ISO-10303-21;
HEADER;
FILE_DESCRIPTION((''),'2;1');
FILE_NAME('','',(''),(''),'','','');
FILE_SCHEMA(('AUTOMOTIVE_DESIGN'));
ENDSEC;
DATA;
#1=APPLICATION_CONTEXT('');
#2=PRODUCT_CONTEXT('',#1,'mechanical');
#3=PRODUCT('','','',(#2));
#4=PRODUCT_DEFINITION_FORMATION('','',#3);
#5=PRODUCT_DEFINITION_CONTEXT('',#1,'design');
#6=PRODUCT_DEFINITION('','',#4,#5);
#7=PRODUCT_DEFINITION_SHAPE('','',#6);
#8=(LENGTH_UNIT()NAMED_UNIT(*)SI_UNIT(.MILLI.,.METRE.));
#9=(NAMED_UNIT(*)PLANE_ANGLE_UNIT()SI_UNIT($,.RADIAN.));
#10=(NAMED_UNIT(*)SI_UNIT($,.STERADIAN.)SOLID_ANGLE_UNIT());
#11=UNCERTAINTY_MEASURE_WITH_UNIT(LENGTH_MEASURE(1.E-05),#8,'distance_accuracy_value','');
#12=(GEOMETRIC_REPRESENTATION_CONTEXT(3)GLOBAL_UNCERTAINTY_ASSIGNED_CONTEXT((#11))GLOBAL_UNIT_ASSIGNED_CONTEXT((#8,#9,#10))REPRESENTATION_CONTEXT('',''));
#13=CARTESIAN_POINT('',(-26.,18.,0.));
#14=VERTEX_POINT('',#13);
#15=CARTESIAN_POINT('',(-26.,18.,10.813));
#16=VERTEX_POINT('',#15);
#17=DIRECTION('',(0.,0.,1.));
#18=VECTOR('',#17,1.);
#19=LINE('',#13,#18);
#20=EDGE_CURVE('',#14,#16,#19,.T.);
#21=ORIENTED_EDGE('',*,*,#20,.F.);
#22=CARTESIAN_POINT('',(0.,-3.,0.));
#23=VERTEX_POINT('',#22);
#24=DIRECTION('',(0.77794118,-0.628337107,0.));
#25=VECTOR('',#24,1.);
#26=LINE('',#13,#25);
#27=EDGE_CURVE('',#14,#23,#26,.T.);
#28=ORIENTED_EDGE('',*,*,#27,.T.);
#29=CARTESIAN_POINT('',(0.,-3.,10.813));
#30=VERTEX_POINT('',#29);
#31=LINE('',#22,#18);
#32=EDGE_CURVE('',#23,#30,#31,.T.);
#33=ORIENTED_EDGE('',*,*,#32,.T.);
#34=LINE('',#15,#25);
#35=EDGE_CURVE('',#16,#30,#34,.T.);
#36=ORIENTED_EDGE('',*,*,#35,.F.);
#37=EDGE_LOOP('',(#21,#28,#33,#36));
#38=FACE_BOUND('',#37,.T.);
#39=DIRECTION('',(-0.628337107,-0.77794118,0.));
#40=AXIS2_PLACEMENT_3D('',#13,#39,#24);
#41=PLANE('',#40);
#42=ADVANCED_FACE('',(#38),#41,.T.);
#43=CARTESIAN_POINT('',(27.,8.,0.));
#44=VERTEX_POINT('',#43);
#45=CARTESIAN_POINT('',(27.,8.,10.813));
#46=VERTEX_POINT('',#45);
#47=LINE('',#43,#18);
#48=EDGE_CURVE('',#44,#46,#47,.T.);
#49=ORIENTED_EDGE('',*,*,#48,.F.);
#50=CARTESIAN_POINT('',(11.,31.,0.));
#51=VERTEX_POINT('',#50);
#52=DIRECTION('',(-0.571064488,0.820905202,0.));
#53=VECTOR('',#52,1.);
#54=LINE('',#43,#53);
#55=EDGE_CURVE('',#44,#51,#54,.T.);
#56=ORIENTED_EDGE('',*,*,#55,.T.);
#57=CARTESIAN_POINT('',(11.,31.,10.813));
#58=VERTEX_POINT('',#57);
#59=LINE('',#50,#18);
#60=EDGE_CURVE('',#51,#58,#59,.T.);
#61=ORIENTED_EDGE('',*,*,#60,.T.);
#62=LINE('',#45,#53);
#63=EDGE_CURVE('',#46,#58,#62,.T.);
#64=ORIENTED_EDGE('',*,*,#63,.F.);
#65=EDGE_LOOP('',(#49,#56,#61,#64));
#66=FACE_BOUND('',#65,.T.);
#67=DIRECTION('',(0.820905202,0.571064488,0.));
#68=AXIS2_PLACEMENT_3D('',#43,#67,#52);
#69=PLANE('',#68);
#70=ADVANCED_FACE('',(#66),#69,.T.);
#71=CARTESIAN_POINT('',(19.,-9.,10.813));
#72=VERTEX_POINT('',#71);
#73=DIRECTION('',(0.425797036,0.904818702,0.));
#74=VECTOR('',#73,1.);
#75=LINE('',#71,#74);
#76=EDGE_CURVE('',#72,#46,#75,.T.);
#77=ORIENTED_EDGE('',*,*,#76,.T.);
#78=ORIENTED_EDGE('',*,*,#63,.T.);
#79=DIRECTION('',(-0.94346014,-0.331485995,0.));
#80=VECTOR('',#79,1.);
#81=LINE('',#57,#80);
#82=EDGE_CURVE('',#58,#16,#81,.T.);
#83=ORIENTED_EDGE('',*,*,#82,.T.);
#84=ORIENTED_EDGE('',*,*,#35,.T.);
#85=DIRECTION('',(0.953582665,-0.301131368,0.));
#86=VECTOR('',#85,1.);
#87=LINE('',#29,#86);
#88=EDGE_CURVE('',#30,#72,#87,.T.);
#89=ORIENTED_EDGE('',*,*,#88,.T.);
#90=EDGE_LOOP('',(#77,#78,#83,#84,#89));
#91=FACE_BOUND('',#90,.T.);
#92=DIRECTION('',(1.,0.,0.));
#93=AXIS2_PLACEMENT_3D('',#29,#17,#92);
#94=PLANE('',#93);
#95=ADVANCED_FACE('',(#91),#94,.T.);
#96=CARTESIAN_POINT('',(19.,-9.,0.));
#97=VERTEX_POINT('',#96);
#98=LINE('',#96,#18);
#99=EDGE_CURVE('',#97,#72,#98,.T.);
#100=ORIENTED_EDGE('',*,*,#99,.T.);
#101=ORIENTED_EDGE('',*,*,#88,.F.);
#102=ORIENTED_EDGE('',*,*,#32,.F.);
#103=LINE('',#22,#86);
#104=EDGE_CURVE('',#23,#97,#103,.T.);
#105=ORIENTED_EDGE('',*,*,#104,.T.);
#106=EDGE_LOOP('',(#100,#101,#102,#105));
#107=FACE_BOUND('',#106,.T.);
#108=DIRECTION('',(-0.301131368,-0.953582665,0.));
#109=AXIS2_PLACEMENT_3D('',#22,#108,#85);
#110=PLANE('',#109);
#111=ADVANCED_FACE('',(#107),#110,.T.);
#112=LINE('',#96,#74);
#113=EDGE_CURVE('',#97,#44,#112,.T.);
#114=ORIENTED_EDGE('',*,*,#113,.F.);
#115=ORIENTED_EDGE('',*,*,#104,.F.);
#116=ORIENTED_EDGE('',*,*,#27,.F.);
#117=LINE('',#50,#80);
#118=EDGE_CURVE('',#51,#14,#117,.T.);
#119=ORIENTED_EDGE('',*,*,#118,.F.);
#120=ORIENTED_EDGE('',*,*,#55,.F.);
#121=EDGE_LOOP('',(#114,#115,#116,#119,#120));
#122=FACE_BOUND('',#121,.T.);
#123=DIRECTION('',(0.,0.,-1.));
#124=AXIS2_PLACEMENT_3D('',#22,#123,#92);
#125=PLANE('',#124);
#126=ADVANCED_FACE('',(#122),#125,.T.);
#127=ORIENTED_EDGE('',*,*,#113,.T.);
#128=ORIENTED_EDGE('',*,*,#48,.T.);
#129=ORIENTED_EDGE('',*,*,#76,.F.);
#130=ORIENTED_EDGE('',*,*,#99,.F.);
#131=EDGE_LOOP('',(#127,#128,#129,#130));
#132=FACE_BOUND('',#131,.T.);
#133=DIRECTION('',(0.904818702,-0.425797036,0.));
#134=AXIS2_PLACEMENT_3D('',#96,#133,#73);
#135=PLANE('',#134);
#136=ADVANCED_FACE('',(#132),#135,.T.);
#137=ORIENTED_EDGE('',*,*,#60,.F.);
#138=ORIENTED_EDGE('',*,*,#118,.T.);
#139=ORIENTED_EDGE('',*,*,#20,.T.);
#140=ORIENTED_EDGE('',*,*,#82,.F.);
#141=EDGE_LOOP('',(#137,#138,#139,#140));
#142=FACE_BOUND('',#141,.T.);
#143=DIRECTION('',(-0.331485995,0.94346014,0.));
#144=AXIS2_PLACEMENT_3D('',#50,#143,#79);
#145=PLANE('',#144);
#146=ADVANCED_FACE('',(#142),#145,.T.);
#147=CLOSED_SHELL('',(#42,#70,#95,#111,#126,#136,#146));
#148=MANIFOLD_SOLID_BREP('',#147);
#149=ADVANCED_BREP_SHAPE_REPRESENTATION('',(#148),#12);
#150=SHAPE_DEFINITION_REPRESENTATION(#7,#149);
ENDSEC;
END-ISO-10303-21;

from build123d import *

# Parameters (mm, degrees)
BOSS_EXTRUDE1_DEPTH = 10.813


with BuildPart() as part:
    # Sketch1 → Boss-Extrude1 (new body)
    with BuildSketch(Plane.XY):
        Polygon((0, -3), (19, -9), (27, 8), (11, 31), (-26, 18), align=None)
    extrude(amount=BOSS_EXTRUDE1_DEPTH)


solid = part.part
